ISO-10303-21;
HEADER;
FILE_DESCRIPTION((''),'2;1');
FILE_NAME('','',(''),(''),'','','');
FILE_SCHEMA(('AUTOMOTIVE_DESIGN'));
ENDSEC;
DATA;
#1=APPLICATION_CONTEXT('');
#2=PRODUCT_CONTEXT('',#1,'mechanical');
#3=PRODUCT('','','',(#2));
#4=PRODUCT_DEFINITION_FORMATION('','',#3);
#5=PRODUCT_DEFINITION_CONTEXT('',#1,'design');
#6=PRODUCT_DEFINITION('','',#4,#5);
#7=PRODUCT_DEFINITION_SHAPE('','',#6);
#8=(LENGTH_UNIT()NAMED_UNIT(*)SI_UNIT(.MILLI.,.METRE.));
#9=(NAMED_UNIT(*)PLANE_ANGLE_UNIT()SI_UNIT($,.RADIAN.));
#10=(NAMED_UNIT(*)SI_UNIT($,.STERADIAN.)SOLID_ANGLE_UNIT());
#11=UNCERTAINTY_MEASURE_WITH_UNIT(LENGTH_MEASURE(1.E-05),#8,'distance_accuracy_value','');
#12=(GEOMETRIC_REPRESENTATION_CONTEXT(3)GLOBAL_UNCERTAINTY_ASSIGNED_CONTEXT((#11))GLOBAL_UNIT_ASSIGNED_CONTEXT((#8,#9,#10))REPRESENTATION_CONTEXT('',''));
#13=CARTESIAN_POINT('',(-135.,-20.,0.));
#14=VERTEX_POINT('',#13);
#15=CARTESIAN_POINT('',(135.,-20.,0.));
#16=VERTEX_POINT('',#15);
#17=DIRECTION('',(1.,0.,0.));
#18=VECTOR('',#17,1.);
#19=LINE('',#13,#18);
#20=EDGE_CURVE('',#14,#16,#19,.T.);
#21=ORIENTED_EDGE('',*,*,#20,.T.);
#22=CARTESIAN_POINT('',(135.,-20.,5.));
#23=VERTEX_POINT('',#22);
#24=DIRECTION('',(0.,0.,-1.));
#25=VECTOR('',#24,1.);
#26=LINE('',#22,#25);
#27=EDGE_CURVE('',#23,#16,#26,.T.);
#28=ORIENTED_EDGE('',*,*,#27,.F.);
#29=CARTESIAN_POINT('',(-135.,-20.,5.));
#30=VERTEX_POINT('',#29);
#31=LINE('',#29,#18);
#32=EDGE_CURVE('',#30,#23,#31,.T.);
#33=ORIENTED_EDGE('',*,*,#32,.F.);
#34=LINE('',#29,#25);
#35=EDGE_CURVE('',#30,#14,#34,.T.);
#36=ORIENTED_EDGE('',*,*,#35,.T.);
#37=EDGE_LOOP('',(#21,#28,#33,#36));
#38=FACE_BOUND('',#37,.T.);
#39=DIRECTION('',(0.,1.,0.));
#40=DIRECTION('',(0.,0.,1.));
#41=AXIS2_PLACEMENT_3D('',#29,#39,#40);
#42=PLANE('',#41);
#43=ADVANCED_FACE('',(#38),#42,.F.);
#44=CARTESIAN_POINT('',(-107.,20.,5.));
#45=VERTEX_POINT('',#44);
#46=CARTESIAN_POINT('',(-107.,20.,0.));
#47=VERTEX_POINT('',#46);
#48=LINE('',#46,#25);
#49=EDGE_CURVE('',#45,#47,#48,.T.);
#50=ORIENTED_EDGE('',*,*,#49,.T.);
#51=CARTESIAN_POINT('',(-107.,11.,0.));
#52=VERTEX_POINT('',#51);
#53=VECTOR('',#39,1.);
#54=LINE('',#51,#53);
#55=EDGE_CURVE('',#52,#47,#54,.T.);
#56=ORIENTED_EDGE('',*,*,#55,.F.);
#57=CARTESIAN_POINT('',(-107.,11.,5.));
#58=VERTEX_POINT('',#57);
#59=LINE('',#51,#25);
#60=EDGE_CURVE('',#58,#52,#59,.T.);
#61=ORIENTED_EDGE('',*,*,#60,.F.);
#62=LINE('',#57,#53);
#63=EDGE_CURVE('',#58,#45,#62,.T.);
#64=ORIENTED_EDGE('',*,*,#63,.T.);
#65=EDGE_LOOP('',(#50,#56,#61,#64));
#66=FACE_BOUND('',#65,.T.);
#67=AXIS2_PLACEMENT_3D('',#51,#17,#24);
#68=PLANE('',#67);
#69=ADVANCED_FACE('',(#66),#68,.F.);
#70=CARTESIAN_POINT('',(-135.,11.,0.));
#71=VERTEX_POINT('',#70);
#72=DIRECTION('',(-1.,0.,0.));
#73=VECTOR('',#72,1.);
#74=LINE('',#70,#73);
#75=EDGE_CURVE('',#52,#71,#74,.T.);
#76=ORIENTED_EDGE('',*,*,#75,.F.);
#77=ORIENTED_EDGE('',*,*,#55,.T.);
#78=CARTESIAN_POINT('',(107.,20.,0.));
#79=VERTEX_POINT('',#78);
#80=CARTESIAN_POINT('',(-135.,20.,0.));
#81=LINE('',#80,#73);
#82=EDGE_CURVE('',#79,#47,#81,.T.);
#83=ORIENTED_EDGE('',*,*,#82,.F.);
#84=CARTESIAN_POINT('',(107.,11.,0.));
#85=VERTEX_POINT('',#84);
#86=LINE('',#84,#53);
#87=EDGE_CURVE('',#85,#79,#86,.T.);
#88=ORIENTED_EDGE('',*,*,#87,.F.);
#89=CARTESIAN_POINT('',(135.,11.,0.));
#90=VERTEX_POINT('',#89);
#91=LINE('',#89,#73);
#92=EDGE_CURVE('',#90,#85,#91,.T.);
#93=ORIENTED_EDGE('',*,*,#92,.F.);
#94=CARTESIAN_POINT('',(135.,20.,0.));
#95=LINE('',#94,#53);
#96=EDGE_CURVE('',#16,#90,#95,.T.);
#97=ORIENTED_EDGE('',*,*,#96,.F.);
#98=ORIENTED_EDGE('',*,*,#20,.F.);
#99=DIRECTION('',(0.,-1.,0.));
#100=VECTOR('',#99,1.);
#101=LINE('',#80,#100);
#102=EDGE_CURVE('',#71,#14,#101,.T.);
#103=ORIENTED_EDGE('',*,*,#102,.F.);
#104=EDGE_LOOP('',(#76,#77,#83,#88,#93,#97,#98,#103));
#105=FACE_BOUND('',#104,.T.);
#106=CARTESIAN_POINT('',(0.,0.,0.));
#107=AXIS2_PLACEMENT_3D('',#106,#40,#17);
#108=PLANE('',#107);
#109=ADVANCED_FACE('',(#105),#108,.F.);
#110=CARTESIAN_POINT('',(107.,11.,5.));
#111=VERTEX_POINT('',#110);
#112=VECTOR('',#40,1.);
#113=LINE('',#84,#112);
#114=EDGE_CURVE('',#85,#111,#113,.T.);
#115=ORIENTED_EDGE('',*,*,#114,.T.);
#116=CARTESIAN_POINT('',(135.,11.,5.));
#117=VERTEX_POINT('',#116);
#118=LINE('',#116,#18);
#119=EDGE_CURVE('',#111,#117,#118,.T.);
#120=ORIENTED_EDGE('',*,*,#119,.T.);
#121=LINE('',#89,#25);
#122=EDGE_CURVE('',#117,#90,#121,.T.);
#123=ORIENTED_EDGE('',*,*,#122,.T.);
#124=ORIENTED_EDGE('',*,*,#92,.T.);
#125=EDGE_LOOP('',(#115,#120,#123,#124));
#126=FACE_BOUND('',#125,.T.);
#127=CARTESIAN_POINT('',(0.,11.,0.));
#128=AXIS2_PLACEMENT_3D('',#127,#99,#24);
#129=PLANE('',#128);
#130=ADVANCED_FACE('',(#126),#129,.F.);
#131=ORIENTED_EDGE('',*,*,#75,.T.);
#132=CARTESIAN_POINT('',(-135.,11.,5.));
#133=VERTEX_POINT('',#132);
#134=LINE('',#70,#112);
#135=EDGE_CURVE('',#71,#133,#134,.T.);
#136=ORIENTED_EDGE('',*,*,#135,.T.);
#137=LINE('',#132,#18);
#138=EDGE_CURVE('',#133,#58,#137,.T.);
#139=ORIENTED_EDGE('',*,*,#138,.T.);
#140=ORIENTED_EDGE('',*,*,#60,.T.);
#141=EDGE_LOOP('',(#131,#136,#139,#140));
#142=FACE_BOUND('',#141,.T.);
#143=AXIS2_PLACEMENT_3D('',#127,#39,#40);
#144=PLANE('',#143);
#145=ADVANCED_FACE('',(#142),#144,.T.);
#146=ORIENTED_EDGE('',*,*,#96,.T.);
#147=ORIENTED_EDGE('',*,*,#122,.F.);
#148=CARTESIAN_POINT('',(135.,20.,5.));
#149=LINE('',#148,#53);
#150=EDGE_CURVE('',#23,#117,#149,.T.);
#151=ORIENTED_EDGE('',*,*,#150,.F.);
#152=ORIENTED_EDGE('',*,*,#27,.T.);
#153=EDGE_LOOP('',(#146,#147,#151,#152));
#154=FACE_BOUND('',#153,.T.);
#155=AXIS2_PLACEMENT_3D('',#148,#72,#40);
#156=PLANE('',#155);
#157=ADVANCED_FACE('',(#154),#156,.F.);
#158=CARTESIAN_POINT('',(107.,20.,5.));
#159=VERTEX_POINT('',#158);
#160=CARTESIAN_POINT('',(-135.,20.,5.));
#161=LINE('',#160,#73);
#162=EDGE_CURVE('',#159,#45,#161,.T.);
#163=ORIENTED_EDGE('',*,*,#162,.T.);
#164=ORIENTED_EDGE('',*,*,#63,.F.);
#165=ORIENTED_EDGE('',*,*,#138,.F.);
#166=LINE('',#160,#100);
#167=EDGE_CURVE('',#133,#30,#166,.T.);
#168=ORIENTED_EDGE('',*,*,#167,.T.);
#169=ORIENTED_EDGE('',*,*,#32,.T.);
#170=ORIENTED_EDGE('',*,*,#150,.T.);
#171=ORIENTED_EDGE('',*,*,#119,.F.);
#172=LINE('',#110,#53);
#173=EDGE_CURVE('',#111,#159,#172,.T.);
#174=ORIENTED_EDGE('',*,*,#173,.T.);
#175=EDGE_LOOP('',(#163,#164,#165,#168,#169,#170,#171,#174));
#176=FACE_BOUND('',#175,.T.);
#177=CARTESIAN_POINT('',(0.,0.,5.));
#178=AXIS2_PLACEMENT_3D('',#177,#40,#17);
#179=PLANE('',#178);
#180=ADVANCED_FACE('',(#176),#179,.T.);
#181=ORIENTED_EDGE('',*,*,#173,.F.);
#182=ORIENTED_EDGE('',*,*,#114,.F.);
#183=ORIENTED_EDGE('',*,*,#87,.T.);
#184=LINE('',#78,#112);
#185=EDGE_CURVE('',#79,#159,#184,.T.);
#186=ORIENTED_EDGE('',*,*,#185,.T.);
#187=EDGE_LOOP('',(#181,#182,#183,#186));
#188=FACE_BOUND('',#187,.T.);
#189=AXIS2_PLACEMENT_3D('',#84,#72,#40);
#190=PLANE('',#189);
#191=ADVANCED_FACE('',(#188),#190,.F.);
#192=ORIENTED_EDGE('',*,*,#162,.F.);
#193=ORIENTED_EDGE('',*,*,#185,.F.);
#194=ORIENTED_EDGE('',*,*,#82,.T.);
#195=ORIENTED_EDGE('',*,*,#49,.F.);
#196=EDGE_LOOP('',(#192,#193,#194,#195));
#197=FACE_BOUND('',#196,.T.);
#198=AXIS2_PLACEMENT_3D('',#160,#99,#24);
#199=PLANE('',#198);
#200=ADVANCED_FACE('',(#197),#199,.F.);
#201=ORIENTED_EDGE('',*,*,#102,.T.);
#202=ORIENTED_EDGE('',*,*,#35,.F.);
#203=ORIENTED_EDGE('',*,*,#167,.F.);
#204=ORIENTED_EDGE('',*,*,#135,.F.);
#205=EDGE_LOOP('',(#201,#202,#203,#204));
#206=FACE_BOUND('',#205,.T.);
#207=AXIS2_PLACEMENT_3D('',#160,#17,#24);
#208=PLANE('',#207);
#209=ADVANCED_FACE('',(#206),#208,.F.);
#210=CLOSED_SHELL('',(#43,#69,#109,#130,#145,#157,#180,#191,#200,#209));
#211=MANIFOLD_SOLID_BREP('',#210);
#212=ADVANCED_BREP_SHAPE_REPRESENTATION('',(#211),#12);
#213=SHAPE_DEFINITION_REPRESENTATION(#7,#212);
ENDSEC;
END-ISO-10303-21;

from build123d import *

# Parameters (mm, degrees)
ESQUISSE1_W             = 270
ESQUISSE1_H             = 40
BOSS_EXTRU_1_DEPTH      = 5
ESQUISSE2_W             = 28
ESQUISSE2_H             = 5
ENL_V_MAT_EXTRU_1_DEPTH = 9


with BuildPart() as part:
    # Esquisse1 → Boss.-Extru.1 (new body)
    with BuildSketch(Plane.XY):
        Rectangle(ESQUISSE1_W, ESQUISSE1_H)
    extrude(amount=BOSS_EXTRU_1_DEPTH)

    # Esquisse2 → Enlèv. mat.-Extru.1 (cut)
    with BuildSketch(Plane(origin=(0, 20, 0), x_dir=(1, 0, 0), z_dir=(0, 1, 0))):
        with Locations((121, -2.5)):
            Rectangle(ESQUISSE2_W, ESQUISSE2_H)
        with Locations((-121, -2.5)):
            Rectangle(ESQUISSE2_W, ESQUISSE2_H)
    extrude(amount=-ENL_V_MAT_EXTRU_1_DEPTH, mode=Mode.SUBTRACT)


solid = part.part
